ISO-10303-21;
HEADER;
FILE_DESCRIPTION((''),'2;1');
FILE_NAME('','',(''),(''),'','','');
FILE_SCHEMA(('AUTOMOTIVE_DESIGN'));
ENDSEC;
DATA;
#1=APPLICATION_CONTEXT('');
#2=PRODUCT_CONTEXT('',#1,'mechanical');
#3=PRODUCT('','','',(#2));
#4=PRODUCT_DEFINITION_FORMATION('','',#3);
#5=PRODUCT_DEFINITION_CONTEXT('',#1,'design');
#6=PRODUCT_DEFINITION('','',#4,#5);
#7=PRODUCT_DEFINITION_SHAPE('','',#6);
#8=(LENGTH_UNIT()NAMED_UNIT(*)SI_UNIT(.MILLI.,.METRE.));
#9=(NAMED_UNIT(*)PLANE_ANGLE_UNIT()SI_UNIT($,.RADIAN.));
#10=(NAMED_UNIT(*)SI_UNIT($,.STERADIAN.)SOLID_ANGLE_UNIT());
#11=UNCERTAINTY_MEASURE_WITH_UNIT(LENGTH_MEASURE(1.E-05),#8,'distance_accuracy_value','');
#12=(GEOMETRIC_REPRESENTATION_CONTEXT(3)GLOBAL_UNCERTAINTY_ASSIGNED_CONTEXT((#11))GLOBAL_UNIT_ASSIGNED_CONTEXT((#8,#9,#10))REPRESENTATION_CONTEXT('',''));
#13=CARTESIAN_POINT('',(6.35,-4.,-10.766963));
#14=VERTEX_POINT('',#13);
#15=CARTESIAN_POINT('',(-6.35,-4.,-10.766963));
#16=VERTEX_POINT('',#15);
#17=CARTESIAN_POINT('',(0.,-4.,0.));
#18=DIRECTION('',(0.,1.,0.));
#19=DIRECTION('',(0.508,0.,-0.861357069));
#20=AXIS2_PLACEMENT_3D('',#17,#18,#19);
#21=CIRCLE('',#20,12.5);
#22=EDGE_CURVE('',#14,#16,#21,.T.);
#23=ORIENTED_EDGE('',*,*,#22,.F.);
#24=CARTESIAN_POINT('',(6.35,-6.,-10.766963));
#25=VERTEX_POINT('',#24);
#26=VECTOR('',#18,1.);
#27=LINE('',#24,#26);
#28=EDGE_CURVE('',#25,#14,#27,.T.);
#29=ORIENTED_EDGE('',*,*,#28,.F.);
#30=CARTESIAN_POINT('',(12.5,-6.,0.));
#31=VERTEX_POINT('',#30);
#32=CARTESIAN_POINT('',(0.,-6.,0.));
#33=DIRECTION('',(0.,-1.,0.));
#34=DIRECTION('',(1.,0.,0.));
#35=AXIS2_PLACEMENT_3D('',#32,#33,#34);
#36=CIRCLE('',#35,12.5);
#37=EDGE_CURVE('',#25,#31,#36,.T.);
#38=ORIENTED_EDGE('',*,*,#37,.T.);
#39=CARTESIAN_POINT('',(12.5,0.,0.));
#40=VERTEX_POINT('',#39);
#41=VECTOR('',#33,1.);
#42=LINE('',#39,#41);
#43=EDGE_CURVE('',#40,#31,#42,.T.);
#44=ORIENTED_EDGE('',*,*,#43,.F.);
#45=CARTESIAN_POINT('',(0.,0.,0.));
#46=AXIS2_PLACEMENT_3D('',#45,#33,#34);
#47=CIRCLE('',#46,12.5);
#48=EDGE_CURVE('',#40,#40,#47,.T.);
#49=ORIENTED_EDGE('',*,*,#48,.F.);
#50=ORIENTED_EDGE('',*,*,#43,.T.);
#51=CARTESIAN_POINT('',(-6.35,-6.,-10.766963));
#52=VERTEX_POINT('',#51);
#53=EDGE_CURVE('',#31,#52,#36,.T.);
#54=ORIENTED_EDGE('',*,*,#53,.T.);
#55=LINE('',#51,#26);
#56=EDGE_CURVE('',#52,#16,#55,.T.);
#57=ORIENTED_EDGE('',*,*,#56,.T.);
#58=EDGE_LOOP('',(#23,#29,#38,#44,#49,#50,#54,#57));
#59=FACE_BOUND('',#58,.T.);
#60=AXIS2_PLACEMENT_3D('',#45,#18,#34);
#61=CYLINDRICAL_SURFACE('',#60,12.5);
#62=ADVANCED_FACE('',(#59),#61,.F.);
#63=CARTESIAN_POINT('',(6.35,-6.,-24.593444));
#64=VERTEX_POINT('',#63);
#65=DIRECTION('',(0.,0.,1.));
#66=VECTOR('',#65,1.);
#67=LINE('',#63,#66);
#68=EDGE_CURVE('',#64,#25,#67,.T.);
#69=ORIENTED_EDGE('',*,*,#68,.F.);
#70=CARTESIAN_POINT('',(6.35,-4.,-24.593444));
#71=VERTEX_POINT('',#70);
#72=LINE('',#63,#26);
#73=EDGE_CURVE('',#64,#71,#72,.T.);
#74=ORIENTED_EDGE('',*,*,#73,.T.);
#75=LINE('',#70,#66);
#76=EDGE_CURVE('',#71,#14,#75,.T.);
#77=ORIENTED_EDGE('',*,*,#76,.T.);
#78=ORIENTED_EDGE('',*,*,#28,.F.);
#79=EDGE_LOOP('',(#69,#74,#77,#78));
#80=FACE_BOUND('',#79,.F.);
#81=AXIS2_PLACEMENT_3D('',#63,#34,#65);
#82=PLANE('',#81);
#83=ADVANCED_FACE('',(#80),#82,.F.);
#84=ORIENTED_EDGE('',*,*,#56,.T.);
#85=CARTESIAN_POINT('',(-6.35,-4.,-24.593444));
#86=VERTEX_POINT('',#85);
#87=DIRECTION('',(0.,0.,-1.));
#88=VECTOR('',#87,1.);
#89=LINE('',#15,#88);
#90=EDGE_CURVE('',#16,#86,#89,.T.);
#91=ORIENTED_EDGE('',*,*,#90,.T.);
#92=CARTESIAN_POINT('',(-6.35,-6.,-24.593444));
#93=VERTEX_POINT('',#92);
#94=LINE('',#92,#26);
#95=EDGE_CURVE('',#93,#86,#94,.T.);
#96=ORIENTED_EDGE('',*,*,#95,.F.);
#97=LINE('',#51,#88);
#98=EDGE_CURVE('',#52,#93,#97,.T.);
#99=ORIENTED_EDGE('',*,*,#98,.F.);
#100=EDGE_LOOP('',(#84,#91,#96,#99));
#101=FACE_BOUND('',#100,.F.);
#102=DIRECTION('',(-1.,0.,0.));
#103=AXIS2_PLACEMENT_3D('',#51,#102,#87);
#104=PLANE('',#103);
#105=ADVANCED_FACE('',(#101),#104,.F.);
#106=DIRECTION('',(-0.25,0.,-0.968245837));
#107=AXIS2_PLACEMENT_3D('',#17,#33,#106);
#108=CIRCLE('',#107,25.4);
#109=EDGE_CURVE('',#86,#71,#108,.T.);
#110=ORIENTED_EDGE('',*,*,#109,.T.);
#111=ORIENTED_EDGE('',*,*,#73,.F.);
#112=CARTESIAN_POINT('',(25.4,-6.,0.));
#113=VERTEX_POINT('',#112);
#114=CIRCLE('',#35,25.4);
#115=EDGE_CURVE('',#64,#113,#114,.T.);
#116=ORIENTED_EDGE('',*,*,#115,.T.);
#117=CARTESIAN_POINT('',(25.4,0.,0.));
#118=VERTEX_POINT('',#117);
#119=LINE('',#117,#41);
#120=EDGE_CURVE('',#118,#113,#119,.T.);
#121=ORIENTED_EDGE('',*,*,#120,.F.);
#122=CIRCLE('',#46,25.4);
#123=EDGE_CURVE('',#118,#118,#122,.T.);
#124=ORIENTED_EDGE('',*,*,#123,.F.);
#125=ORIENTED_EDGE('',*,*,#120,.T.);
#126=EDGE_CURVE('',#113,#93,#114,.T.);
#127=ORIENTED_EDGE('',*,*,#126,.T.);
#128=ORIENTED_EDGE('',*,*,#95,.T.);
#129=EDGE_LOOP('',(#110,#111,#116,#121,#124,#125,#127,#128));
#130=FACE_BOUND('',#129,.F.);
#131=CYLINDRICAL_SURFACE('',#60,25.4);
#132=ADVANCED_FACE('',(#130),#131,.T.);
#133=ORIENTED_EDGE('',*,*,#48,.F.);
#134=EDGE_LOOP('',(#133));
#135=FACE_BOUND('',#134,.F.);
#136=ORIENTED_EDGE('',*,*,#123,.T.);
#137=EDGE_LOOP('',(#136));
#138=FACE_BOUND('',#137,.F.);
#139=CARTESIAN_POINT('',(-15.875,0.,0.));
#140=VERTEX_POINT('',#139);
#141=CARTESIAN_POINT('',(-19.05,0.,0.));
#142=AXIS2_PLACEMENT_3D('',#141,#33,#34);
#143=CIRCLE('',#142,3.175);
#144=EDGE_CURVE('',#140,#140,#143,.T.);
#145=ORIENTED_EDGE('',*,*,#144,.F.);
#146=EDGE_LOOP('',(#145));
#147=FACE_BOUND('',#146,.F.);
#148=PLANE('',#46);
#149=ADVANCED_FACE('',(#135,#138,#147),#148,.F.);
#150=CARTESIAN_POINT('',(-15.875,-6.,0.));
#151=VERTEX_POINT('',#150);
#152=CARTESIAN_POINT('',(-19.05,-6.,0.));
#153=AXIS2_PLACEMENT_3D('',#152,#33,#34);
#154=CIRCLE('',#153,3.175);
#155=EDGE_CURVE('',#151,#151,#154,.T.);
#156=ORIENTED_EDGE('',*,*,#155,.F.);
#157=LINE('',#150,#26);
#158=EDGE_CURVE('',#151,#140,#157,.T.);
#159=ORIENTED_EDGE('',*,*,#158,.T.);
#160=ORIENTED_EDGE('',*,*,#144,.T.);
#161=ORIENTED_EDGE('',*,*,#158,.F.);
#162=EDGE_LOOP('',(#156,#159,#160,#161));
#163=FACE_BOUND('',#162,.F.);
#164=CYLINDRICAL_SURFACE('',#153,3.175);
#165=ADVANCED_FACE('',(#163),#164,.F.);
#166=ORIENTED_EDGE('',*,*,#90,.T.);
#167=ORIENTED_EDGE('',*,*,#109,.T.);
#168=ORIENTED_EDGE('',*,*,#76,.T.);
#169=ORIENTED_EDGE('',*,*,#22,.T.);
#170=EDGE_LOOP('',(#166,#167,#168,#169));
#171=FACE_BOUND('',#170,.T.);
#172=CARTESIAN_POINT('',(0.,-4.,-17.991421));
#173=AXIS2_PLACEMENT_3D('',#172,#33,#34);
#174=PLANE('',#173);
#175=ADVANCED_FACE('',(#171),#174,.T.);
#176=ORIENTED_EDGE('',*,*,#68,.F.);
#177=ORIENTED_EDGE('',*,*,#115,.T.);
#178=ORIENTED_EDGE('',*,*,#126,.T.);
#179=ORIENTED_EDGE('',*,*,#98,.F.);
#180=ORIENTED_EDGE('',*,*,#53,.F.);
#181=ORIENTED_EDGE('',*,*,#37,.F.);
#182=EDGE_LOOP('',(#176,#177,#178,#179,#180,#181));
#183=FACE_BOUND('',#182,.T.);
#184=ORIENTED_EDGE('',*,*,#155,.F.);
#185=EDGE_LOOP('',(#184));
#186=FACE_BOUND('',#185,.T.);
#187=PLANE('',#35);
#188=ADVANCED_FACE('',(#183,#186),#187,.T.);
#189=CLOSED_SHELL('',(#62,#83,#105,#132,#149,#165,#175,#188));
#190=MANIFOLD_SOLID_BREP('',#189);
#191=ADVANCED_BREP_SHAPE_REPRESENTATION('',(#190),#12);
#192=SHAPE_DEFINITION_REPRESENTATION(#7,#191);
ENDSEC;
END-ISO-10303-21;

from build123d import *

# Parameters (mm, degrees)
F0_R     = 25.4
F0_R_2   = 12.5
F1_DEPTH = 6
F3_DEPTH = 2
F4_R     = 3.175
F5_DEPTH = 6.001


with BuildPart() as f1:
    # F0 (on Front) → F1 (new body)
    with BuildSketch(Plane.XZ):
        Circle(F0_R)
        Circle(F0_R_2, mode=Mode.SUBTRACT)
    extrude(amount=F1_DEPTH)

    # F2 (on face) → F3 (cut)
    with BuildSketch(Plane.XZ.offset(6)):
        with BuildLine():
            ThreePointArc((-6.35, -24.5934442484), (0, -25.4), (6.35, -24.5934442484))
            Line((6.35, -24.5934442484), (6.35, -10.7669633602))
            ThreePointArc((6.35, -10.7669633602), (0, -12.5), (-6.35, -10.7669633602))
            Line((-6.35, -10.7669633602), (-6.35, -24.5934442484))
        make_face()
    extrude(amount=-F3_DEPTH, mode=Mode.SUBTRACT)

    # F4 (on face) → F5 (cut, through all)
    with BuildSketch(Plane.XZ.offset(6)):
        with Locations((-19.05, 0)):
            Circle(F4_R)
    extrude(amount=-F5_DEPTH, mode=Mode.SUBTRACT)


solid = f1.part
